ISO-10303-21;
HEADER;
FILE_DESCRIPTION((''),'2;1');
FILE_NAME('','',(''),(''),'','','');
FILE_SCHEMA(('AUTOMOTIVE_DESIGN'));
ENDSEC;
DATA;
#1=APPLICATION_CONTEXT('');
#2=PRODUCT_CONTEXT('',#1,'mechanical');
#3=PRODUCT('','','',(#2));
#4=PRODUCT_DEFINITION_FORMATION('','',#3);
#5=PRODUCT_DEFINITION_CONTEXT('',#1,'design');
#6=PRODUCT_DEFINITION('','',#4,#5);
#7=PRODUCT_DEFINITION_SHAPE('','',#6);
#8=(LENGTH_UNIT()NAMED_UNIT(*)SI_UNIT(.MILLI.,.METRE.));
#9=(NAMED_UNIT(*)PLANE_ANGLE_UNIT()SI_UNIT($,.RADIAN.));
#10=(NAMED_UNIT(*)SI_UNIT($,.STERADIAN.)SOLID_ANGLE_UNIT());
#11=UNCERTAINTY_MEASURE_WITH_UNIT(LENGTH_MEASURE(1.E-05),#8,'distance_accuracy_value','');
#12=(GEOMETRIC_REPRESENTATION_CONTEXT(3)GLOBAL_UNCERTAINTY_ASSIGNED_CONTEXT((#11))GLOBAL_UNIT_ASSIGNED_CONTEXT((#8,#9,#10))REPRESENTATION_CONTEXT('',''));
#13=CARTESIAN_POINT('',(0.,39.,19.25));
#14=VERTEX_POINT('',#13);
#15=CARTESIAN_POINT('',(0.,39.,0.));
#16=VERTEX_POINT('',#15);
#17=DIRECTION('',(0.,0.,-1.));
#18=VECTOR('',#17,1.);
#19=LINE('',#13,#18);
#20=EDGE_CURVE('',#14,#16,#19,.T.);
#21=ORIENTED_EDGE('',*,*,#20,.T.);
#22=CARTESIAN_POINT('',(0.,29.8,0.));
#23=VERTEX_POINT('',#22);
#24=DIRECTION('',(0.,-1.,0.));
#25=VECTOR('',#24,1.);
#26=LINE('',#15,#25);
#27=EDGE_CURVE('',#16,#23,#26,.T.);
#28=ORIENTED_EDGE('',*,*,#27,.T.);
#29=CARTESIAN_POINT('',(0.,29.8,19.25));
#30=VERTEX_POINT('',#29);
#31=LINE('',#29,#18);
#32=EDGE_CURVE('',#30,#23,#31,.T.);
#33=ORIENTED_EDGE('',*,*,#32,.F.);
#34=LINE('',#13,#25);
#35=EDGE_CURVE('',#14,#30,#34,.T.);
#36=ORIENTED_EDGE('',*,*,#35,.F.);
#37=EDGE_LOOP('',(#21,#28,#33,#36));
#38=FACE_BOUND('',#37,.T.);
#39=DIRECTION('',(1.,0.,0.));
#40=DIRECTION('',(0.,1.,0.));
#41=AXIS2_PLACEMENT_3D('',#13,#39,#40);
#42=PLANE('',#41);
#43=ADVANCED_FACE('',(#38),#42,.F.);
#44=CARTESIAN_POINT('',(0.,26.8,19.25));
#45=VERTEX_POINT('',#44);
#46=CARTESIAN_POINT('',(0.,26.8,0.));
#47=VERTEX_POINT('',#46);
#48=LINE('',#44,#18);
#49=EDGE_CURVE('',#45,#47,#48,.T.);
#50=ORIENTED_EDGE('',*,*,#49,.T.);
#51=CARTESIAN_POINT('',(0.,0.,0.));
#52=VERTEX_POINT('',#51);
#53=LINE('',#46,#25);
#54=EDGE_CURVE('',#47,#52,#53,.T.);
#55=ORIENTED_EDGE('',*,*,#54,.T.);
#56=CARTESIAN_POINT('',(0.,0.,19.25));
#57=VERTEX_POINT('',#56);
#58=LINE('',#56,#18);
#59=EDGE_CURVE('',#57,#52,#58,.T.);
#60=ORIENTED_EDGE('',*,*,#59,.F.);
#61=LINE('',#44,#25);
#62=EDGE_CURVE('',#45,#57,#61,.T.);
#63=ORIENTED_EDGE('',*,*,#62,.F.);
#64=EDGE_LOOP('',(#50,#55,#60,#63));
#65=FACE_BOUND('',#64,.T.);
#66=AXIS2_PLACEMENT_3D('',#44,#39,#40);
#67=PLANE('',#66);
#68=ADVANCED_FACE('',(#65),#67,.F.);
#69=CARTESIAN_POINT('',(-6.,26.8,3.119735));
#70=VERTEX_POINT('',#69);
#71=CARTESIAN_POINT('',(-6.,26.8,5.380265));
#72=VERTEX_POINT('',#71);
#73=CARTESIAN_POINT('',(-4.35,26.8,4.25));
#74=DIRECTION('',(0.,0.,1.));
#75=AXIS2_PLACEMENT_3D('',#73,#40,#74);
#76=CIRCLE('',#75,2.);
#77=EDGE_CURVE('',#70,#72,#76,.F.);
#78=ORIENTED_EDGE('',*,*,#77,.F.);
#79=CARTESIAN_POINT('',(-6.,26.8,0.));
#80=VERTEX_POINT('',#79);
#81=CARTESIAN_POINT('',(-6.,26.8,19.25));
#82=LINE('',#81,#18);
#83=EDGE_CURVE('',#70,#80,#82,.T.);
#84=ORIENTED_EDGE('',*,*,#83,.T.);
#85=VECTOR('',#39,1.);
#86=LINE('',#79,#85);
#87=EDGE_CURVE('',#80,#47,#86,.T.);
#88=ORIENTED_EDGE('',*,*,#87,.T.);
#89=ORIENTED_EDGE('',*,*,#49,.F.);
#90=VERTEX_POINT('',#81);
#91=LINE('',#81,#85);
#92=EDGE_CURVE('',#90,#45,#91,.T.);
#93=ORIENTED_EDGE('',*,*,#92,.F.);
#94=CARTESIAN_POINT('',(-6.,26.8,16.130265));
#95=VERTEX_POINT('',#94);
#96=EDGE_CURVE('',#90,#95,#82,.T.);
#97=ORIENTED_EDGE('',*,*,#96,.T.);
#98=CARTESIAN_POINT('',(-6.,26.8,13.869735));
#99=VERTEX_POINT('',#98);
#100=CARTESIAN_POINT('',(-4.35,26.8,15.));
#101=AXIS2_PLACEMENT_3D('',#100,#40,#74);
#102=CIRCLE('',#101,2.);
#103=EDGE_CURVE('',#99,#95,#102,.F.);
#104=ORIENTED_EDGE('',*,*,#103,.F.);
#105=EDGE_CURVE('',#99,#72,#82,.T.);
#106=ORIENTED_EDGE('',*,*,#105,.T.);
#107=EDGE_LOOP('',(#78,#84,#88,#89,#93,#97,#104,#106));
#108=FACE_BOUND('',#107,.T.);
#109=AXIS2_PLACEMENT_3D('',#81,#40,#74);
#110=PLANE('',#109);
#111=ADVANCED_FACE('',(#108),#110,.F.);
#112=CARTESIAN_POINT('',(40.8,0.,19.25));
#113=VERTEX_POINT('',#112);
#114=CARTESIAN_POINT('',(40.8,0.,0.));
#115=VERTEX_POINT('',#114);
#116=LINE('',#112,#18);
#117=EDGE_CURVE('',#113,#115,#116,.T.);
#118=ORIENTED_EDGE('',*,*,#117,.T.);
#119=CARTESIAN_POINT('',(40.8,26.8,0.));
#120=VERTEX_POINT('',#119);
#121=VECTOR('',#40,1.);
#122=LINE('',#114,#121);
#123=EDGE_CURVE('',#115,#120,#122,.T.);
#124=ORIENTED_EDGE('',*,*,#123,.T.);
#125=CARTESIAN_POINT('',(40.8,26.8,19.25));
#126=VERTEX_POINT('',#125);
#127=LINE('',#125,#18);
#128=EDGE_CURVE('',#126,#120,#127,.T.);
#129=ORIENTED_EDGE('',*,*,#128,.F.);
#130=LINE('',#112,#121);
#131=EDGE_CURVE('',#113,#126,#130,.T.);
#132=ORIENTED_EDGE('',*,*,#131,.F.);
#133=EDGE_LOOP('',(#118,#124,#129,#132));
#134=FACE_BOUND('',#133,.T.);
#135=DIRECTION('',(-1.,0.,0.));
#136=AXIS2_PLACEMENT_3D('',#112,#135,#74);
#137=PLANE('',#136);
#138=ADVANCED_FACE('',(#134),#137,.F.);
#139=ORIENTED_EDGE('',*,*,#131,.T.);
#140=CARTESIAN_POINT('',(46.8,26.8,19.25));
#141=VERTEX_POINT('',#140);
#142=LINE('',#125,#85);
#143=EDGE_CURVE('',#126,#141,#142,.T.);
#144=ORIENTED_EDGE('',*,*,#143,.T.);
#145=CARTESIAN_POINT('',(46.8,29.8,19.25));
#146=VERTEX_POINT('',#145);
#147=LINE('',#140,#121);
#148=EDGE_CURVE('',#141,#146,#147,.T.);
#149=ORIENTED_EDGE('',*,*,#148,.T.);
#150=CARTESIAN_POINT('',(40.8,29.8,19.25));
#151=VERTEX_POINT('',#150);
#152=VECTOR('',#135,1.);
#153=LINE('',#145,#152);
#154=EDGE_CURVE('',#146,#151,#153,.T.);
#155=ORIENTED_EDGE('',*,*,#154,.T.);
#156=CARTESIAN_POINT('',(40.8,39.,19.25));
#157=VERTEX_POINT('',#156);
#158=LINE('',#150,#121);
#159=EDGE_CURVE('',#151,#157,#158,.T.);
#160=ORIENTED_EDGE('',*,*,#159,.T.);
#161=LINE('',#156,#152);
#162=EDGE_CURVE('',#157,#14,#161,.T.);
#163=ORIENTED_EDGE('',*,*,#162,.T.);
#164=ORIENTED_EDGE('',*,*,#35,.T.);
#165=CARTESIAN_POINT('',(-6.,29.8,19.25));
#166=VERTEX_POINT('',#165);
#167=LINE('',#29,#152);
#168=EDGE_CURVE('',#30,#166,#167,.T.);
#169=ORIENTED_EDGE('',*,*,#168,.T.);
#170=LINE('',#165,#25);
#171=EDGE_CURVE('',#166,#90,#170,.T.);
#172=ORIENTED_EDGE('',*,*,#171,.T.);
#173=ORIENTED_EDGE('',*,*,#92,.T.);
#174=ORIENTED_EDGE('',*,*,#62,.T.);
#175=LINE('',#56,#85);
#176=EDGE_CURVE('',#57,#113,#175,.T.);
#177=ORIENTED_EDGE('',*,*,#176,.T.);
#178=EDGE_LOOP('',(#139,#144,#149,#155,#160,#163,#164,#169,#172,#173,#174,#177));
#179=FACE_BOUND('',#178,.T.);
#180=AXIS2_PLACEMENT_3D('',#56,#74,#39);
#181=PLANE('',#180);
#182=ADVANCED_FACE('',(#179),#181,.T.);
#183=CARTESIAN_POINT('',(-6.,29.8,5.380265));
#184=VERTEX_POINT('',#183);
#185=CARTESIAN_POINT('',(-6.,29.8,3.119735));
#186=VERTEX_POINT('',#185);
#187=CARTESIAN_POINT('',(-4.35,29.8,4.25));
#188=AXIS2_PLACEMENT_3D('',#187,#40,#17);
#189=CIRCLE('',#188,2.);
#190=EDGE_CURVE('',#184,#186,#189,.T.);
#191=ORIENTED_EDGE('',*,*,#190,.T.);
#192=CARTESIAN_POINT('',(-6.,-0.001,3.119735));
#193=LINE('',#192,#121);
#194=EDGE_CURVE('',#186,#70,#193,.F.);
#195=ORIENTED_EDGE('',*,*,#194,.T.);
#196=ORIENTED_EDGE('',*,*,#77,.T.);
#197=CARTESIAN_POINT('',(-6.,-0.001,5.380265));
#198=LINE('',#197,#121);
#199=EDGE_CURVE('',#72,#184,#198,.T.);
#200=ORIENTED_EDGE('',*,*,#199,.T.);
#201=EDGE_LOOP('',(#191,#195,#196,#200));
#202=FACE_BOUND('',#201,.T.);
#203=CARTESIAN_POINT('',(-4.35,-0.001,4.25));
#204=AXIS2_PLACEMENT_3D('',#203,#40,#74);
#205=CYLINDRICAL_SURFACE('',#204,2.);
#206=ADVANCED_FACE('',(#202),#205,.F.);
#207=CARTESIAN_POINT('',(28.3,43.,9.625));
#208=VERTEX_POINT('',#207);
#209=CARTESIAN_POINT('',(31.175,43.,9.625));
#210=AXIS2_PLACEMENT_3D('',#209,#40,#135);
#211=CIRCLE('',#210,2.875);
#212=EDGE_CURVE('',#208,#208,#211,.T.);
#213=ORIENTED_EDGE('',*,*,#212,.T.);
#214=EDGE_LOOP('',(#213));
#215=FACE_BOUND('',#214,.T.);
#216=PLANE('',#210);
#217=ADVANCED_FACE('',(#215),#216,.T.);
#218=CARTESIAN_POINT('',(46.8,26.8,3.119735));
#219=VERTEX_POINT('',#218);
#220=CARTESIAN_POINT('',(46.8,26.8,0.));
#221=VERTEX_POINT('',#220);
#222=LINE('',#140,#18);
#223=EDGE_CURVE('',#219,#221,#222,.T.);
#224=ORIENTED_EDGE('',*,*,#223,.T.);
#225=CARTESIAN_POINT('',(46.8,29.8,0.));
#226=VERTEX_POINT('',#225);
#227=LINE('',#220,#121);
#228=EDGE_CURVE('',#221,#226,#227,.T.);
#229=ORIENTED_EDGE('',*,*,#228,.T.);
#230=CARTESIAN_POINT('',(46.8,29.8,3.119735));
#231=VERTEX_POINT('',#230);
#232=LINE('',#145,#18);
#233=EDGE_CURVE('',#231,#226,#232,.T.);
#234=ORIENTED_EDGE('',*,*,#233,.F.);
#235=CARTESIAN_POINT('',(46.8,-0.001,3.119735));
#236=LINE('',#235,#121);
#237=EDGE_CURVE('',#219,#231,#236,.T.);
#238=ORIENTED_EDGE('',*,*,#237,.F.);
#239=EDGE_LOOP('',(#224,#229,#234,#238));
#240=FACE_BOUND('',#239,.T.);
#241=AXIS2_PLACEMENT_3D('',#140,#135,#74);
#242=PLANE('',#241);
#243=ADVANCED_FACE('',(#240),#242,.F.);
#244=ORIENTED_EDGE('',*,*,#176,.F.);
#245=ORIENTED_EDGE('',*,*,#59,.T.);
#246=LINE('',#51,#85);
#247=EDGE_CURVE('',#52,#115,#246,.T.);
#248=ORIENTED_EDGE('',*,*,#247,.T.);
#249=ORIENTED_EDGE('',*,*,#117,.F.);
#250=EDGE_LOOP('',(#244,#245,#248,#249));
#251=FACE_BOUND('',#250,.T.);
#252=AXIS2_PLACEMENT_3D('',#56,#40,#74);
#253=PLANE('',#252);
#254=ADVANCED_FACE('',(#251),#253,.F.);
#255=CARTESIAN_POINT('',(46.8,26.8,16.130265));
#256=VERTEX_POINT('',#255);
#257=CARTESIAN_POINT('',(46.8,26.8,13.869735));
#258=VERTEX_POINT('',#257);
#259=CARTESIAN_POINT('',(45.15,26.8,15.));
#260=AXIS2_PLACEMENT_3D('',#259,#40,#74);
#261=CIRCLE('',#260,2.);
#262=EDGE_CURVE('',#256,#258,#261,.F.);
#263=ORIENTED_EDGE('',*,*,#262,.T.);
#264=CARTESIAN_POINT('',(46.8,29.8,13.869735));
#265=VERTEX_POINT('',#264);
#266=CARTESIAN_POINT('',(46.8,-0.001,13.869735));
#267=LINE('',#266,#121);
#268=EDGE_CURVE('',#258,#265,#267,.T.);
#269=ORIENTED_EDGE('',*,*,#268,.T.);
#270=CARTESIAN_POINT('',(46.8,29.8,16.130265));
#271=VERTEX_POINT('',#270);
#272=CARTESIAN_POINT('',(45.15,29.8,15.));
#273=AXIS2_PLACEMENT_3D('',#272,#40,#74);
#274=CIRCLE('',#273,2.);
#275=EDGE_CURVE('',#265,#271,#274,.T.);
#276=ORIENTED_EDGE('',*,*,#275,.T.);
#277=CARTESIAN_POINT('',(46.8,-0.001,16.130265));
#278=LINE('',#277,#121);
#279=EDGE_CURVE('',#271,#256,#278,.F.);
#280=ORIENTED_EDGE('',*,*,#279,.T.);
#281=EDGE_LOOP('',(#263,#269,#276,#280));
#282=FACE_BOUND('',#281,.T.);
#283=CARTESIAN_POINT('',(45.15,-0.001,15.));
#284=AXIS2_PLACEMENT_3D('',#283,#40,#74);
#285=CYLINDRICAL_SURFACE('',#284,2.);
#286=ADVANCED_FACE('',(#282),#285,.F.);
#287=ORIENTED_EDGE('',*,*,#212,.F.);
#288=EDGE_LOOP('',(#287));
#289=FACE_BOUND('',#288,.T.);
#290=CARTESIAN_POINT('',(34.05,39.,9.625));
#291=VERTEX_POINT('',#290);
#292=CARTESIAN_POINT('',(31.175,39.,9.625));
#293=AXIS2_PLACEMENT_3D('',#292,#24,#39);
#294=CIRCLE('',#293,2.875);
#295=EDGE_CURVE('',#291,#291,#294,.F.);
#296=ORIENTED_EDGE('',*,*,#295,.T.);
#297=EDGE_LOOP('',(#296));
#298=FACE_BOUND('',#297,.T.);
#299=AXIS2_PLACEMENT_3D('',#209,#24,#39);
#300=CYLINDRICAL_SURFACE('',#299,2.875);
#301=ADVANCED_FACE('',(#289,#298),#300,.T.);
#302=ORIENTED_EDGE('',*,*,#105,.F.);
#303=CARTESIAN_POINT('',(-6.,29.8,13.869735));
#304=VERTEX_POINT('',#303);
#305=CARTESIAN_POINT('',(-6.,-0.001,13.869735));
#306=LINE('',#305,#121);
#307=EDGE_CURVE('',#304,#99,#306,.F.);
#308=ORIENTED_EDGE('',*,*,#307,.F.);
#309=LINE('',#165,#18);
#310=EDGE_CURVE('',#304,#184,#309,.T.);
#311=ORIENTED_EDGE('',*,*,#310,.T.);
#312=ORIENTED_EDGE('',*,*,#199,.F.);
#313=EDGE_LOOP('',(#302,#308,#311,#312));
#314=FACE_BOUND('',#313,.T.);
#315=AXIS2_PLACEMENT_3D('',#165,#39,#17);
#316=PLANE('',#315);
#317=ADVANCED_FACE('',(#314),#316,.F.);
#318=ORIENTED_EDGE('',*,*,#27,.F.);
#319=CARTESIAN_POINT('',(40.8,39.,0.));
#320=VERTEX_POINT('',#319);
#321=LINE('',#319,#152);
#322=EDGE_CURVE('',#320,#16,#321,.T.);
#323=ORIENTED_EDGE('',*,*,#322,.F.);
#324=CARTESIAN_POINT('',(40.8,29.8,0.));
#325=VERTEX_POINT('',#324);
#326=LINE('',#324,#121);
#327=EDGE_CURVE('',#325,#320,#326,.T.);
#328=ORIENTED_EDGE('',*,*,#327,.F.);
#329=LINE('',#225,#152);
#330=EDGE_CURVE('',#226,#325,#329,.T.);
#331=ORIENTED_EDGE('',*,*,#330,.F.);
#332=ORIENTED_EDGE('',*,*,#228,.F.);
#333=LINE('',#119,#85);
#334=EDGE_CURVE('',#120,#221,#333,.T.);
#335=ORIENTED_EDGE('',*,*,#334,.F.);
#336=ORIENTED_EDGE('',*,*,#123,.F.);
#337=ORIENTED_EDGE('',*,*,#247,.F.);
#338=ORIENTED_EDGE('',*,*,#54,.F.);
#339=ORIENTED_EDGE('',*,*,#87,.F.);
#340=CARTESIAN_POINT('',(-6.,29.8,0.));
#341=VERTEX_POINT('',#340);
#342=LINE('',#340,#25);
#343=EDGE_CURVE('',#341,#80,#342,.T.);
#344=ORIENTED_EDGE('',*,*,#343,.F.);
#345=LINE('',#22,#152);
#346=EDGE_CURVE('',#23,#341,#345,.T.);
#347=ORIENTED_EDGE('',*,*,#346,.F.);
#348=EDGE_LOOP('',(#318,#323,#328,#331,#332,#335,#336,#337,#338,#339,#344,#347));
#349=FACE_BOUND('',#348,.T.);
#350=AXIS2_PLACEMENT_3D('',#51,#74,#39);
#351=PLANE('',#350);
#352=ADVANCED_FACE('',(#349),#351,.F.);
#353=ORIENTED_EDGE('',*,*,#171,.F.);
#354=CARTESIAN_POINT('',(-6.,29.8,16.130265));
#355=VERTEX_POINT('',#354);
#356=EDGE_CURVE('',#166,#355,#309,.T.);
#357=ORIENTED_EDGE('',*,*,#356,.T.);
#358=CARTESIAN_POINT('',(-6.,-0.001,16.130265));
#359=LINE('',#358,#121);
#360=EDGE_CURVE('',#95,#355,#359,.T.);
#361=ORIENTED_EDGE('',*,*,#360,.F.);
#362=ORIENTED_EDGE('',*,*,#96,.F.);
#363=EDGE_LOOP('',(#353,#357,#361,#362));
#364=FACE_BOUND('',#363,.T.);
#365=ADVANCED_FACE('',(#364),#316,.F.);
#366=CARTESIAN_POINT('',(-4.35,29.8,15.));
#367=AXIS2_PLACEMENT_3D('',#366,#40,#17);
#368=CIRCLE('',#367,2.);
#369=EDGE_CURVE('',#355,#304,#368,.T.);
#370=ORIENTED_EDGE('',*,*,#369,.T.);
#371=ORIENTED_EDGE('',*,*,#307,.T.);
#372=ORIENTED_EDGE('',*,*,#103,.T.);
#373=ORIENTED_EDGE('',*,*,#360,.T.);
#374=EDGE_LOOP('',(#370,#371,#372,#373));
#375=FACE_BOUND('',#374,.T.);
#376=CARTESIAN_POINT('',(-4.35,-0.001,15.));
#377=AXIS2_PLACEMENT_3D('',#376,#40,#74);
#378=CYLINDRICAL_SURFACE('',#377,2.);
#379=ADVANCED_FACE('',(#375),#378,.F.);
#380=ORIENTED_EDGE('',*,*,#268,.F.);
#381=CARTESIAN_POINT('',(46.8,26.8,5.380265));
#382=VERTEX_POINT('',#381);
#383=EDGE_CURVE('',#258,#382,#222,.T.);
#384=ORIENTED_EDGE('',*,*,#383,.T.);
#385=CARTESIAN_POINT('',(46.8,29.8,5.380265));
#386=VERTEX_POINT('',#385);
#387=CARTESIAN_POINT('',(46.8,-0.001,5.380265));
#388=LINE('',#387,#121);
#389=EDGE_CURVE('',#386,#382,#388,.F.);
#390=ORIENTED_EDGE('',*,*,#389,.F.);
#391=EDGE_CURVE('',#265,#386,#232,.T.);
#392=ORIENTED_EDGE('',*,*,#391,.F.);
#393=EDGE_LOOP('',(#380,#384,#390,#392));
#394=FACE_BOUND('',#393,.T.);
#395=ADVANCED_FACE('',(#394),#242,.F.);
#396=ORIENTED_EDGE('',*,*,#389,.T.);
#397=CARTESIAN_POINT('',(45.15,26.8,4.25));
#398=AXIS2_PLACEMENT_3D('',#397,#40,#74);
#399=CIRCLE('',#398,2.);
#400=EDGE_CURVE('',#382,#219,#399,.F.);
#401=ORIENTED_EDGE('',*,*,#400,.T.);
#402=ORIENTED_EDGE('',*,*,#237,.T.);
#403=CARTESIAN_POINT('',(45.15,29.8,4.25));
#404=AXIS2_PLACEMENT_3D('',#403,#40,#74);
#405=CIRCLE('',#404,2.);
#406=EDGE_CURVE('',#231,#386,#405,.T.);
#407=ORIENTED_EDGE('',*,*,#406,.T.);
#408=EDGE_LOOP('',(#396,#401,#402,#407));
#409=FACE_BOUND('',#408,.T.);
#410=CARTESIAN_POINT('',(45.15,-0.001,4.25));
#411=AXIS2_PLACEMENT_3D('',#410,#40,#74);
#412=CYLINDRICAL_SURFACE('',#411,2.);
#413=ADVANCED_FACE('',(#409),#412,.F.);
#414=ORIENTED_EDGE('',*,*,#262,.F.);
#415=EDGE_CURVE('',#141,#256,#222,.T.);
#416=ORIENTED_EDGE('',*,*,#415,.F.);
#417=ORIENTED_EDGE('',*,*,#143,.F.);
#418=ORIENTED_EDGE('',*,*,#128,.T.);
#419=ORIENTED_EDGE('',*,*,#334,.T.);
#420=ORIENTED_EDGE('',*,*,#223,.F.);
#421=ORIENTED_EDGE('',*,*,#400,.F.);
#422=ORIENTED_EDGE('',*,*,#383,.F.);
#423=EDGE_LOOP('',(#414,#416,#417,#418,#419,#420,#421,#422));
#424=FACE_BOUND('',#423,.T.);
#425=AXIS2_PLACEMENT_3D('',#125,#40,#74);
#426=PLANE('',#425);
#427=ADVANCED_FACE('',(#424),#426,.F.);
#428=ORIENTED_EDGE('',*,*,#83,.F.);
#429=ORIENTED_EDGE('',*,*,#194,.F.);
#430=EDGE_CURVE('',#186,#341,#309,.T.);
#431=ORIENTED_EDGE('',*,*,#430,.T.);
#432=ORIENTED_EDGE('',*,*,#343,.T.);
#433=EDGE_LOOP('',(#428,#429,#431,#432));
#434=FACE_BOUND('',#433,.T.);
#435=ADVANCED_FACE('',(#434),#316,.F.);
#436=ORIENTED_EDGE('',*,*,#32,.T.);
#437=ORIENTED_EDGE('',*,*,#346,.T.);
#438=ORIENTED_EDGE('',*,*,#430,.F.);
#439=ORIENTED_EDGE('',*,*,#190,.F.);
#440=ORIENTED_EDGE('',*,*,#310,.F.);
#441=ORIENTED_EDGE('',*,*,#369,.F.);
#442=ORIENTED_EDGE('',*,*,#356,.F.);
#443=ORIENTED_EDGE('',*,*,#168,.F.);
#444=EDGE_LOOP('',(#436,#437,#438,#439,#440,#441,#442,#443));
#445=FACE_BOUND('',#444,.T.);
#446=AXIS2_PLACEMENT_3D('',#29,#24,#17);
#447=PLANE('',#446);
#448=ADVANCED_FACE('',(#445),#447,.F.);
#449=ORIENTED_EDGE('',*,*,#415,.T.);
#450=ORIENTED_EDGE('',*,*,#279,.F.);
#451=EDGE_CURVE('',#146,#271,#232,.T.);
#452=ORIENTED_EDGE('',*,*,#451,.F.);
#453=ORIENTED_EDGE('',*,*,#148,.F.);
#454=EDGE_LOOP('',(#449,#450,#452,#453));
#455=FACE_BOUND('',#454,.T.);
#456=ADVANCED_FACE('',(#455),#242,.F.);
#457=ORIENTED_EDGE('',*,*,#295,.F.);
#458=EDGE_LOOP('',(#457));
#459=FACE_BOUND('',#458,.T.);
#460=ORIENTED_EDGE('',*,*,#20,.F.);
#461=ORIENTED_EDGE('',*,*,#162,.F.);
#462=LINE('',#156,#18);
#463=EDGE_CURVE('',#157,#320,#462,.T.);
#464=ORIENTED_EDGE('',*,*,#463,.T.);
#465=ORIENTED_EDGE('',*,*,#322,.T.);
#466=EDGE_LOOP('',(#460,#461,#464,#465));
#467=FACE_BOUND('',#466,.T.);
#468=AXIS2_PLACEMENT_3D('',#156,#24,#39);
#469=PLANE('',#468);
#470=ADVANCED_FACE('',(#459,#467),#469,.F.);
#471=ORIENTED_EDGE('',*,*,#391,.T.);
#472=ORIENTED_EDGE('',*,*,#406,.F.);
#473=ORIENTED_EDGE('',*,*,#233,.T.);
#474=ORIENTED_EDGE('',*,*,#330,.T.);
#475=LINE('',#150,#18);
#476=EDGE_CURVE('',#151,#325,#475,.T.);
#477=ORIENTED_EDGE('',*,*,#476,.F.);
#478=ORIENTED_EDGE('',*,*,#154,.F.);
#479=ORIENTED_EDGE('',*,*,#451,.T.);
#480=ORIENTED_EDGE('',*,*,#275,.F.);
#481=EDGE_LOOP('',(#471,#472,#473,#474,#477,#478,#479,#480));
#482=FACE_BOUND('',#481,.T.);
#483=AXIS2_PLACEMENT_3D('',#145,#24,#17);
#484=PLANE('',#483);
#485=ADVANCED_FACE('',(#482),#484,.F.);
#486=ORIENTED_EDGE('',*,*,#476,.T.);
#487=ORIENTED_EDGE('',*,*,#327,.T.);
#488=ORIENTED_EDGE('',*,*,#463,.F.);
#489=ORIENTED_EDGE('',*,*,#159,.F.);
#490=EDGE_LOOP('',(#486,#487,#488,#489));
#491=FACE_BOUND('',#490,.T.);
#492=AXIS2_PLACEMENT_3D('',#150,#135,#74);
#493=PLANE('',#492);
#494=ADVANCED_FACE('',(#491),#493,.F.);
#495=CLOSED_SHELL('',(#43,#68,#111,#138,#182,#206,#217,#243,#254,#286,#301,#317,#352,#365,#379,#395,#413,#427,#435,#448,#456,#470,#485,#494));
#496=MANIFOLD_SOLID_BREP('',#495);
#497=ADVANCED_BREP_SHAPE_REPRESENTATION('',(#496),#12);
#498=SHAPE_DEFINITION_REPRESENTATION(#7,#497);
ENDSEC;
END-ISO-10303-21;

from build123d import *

# Parameters (mm, degrees)
BOSS_EXTRUDE1_DEPTH = 19.25
SKETCH2_R           = 2.875
BOSS_EXTRUDE2_DEPTH = 4
CUT_EXTRUDE1_REACH  = 60.727
SKETCH3_R           = 2


with BuildPart() as part:
    # Sketch1 → Boss-Extrude1 (new body)
    with BuildSketch(Plane.XY):
        Polygon((0, 0), (40.8, 0), (40.8, 26.8), (46.8, 26.8), (46.8, 29.8), (40.8, 29.8), (40.8, 39), (0, 39), (0, 29.8), (-6, 29.8), (-6, 26.8), (0, 26.8), align=None)
    extrude(amount=BOSS_EXTRUDE1_DEPTH)

    # Sketch2 → Boss-Extrude2 (add)
    with BuildSketch(Plane(origin=(0, 39, 0), x_dir=(1, 0, 0), z_dir=(0, 1, 0))):
        with Locations((31.175, -9.625)):
            Circle(SKETCH2_R)
    extrude(amount=BOSS_EXTRUDE2_DEPTH)

    # Sketch3 → Cut-Extrude1 (cut, up to next)
    with BuildSketch(Plane(origin=(0, 29.8, 0), x_dir=(1, 0, 0), z_dir=(0, 1, 0)), mode=Mode.PRIVATE) as cut_extrude1_sk1:
        with Locations((45.15, -15)):
            Circle(SKETCH3_R)
    cut_extrude1_tool1 = extrude(cut_extrude1_sk1.sketch, amount=-CUT_EXTRUDE1_REACH, mode=Mode.PRIVATE) & part.part
    # Sketch3 → Cut-Extrude1 (cut, up to next)
    with BuildSketch(Plane(origin=(0, 29.8, 0), x_dir=(1, 0, 0), z_dir=(0, 1, 0)), mode=Mode.PRIVATE) as cut_extrude1_sk2:
        with Locations((45.15, -4.25)):
            Circle(SKETCH3_R)
    cut_extrude1_tool2 = extrude(cut_extrude1_sk2.sketch, amount=-CUT_EXTRUDE1_REACH, mode=Mode.PRIVATE) & part.part
    # Sketch3 → Cut-Extrude1 (cut, up to next)
    with BuildSketch(Plane(origin=(0, 29.8, 0), x_dir=(1, 0, 0), z_dir=(0, 1, 0)), mode=Mode.PRIVATE) as cut_extrude1_sk3:
        with Locations((-4.35, -4.25)):
            Circle(SKETCH3_R)
    cut_extrude1_tool3 = extrude(cut_extrude1_sk3.sketch, amount=-CUT_EXTRUDE1_REACH, mode=Mode.PRIVATE) & part.part
    # Sketch3 → Cut-Extrude1 (cut, up to next)
    with BuildSketch(Plane(origin=(0, 29.8, 0), x_dir=(1, 0, 0), z_dir=(0, 1, 0)), mode=Mode.PRIVATE) as cut_extrude1_sk4:
        with Locations((-4.35, -15)):
            Circle(SKETCH3_R)
    cut_extrude1_tool4 = extrude(cut_extrude1_sk4.sketch, amount=-CUT_EXTRUDE1_REACH, mode=Mode.PRIVATE) & part.part
    add(cut_extrude1_tool1.solids().sort_by_distance((45.15, 29.8, 15))[0], mode=Mode.SUBTRACT)
    add(cut_extrude1_tool2.solids().sort_by_distance((45.15, 29.8, 4.25))[0], mode=Mode.SUBTRACT)
    add(cut_extrude1_tool3.solids().sort_by_distance((-4.35, 29.8, 4.25))[0], mode=Mode.SUBTRACT)
    add(cut_extrude1_tool4.solids().sort_by_distance((-4.35, 29.8, 15))[0], mode=Mode.SUBTRACT)


solid = part.part
